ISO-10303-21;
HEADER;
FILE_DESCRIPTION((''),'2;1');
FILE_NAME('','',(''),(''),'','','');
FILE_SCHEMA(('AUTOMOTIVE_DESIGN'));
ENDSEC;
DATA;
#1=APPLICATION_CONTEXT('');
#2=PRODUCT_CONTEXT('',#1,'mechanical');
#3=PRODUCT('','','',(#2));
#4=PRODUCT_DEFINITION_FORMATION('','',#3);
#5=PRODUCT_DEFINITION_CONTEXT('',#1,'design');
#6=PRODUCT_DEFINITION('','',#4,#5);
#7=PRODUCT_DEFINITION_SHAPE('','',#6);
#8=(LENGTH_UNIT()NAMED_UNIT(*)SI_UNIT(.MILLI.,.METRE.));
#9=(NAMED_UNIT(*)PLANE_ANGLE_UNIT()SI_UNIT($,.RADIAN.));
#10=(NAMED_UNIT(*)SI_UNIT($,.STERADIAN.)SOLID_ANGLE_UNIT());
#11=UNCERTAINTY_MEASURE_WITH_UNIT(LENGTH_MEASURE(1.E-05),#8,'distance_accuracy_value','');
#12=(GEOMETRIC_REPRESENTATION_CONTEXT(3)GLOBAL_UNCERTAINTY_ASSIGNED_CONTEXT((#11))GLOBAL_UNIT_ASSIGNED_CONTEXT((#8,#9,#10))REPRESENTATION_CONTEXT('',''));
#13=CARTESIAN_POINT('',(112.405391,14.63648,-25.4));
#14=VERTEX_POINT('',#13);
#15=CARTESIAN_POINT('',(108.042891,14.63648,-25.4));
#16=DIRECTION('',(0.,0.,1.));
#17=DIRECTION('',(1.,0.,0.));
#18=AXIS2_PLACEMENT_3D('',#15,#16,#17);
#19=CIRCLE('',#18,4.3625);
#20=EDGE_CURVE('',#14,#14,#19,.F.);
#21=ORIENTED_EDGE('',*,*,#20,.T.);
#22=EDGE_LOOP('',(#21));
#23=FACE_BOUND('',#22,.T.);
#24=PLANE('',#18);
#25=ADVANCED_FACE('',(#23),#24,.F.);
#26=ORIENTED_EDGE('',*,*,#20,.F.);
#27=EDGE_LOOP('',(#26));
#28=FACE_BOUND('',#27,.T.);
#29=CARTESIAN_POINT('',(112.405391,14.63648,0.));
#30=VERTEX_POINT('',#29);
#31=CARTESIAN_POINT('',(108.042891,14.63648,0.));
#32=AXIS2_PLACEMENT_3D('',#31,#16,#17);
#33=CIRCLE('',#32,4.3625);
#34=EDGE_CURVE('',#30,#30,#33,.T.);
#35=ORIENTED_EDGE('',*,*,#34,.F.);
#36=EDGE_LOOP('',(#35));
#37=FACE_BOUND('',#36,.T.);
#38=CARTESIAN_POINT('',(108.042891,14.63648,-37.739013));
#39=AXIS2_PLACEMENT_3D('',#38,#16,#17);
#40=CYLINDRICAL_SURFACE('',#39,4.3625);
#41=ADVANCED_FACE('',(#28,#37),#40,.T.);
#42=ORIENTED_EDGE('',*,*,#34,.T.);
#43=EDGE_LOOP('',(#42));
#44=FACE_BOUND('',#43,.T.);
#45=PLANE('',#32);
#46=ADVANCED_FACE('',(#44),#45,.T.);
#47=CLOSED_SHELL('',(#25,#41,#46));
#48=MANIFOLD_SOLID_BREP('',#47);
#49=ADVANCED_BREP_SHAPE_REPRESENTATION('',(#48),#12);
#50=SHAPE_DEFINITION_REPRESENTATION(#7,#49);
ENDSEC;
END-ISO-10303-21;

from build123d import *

# Parameters (mm, degrees)
SKETCH1_R           = 4.3625
BOSS_EXTRUDE1_DEPTH = 25.4


with BuildPart() as part:
    # Sketch1 → Boss-Extrude1 (new body)
    with BuildSketch(Plane.XY):
        with Locations((108.042890629, 14.636479869)):
            Circle(SKETCH1_R)
    extrude(amount=-BOSS_EXTRUDE1_DEPTH)


solid = part.part
